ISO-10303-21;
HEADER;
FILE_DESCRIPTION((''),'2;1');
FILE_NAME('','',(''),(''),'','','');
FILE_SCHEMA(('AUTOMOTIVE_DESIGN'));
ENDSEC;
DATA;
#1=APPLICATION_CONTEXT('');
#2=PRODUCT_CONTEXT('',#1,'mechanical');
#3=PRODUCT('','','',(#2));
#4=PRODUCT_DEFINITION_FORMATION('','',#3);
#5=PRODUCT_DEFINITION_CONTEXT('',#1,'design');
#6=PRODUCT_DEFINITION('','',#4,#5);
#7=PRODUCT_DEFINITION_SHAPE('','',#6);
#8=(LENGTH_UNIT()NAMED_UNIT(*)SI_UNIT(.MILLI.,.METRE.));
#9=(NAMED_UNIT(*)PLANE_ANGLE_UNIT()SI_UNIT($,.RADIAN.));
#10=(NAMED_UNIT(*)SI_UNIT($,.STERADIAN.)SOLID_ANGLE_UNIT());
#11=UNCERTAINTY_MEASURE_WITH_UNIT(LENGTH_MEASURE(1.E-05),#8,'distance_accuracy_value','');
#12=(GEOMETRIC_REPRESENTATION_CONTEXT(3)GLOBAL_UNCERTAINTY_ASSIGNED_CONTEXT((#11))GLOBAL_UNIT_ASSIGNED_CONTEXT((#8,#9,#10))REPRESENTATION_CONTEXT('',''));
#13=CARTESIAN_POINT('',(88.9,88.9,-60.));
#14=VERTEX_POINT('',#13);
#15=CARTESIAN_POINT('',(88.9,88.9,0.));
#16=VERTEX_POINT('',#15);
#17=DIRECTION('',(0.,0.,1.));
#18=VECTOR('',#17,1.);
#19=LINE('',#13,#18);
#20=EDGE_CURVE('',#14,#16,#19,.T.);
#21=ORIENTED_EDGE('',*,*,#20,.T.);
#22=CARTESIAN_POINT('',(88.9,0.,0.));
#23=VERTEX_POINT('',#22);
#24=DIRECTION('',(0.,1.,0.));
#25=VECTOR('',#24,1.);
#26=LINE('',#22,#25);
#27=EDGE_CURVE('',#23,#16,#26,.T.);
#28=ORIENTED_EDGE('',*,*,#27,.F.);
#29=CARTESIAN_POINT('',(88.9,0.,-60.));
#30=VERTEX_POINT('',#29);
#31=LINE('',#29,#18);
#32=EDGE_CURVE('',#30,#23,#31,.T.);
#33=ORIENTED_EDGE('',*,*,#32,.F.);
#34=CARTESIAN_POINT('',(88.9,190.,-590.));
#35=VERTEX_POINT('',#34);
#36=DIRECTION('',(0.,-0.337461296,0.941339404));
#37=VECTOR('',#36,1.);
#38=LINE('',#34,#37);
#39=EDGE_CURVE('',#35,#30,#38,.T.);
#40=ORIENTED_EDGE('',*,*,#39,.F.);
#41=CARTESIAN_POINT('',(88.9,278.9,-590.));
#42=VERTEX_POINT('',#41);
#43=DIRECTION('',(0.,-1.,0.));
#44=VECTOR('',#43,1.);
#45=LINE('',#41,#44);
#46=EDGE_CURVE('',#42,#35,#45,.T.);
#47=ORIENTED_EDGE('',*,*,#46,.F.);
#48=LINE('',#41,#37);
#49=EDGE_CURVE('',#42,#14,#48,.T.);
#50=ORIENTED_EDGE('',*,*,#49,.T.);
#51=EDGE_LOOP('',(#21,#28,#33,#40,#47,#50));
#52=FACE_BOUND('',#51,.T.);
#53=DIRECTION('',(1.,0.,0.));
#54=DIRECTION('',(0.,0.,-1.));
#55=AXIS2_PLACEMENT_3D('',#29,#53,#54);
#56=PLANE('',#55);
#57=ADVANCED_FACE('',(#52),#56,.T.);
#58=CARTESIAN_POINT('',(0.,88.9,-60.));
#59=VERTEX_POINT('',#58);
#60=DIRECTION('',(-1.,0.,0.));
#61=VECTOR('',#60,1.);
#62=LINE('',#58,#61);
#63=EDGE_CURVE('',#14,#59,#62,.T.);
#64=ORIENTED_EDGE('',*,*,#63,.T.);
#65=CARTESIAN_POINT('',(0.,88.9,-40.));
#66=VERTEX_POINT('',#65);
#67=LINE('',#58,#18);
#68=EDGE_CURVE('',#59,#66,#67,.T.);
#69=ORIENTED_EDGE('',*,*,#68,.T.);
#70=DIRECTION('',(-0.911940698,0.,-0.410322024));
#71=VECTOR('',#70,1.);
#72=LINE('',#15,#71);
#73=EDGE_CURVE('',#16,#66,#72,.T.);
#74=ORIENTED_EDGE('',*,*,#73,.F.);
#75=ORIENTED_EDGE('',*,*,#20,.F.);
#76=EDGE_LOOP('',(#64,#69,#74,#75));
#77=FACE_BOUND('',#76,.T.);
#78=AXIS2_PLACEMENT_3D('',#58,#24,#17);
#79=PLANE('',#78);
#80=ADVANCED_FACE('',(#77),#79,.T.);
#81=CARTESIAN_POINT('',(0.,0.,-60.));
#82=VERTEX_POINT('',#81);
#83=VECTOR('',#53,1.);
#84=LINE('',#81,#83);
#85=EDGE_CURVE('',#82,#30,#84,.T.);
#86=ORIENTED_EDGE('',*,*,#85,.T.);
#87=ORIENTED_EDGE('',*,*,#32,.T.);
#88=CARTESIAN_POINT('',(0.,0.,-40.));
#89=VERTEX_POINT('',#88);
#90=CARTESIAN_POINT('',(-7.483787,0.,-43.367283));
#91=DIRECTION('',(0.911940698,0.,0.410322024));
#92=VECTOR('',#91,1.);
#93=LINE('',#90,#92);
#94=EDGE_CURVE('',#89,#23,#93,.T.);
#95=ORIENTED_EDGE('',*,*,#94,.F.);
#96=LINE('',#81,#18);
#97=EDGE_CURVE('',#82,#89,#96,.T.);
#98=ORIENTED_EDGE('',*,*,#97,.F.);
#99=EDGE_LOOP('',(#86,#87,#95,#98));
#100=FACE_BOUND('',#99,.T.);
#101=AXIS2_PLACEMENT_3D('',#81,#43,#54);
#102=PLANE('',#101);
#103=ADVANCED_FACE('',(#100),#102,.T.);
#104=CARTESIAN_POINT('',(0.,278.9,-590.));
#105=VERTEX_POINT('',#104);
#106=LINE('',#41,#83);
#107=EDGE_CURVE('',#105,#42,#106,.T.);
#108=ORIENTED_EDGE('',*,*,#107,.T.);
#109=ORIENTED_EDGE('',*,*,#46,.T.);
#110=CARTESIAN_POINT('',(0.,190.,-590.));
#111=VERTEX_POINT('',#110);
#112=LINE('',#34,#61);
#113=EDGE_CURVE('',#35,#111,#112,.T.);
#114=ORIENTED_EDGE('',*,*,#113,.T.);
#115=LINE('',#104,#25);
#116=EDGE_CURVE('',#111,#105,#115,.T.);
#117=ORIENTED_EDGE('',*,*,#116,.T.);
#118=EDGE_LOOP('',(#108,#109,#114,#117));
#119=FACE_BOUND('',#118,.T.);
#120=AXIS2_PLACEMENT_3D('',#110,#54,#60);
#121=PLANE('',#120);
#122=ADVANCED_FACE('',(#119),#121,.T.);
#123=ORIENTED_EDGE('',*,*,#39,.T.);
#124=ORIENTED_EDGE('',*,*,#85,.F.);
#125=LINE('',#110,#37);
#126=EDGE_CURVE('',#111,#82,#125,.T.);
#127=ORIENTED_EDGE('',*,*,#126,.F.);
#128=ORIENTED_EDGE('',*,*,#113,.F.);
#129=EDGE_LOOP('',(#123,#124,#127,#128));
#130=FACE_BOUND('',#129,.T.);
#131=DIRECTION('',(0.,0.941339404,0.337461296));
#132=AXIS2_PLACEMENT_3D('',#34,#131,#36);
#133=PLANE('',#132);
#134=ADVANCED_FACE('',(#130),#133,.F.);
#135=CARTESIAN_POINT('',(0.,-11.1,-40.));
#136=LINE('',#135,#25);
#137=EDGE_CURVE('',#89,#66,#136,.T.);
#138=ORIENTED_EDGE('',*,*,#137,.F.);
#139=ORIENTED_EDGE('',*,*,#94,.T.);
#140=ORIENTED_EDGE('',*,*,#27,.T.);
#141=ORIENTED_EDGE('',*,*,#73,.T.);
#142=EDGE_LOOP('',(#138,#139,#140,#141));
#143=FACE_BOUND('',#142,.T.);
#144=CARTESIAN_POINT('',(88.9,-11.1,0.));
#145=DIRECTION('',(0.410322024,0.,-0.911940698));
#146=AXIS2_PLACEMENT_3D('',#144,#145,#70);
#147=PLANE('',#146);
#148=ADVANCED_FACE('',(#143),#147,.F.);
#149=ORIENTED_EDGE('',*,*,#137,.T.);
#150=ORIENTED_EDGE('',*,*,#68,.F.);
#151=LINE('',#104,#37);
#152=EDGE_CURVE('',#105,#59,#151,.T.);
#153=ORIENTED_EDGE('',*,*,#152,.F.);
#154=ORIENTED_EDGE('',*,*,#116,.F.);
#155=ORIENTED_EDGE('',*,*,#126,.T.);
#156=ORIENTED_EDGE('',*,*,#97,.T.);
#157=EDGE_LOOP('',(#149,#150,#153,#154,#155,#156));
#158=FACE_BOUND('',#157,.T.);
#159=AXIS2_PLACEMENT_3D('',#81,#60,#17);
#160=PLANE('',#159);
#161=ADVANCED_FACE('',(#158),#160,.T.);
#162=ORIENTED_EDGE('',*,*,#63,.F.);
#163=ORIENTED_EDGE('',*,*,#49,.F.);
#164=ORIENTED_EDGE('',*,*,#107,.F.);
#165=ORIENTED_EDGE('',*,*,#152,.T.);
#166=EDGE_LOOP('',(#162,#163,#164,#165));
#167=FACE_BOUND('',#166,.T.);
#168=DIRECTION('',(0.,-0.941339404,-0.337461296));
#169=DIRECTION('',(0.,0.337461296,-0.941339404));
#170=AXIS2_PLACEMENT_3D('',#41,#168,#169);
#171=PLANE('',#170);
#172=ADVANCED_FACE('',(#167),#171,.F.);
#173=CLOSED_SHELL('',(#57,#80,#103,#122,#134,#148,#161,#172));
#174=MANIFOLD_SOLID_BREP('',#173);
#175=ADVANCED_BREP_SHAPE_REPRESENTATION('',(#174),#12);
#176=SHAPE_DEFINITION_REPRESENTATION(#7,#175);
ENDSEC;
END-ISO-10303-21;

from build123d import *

# Parameters (mm, degrees)
CROQUIS1_W              = 88.9
CROQUIS1_H              = 88.9
SALIENTE_EXTRUIR1_DEPTH = 60
CROQUIS2_W              = 88.9
CROQUIS2_H              = 88.9
CORTAR_EXTRUIR1_DEPTH   = 100


with BuildPart() as part:
    # Croquis1 → Saliente-Extruir1 (new body)
    with BuildSketch(Plane.XY):
        with Locations((44.45, 44.45)):
            Rectangle(CROQUIS1_W, CROQUIS1_H)
    extrude(amount=-SALIENTE_EXTRUIR1_DEPTH)

    # Barrer1: sweep along a curve in space
    with BuildLine() as barrer1_path:
        Line((44.45, 234.45, -590), (44.45, 44.45, -60))
    # Croquis2 → Barrer1 (sweep)
    with BuildSketch(Plane(origin=(0, 0, -60), x_dir=(-1, 0, 0), z_dir=(0, 0, -1))):
        with Locations((-44.45, 44.45)):
            Rectangle(CROQUIS2_W, CROQUIS2_H)
    sweep(path=barrer1_path.line)

    # Croquis3 → Cortar-Extruir1 (cut)
    with BuildSketch(Plane(origin=(0, 88.9, 0), x_dir=(1, 0, 0), z_dir=(0, 1, 0))):
        Polygon((88.9, 0), (0, 40), (0, 0), align=None)
    extrude(amount=-CORTAR_EXTRUIR1_DEPTH, mode=Mode.SUBTRACT)


solid = part.part
